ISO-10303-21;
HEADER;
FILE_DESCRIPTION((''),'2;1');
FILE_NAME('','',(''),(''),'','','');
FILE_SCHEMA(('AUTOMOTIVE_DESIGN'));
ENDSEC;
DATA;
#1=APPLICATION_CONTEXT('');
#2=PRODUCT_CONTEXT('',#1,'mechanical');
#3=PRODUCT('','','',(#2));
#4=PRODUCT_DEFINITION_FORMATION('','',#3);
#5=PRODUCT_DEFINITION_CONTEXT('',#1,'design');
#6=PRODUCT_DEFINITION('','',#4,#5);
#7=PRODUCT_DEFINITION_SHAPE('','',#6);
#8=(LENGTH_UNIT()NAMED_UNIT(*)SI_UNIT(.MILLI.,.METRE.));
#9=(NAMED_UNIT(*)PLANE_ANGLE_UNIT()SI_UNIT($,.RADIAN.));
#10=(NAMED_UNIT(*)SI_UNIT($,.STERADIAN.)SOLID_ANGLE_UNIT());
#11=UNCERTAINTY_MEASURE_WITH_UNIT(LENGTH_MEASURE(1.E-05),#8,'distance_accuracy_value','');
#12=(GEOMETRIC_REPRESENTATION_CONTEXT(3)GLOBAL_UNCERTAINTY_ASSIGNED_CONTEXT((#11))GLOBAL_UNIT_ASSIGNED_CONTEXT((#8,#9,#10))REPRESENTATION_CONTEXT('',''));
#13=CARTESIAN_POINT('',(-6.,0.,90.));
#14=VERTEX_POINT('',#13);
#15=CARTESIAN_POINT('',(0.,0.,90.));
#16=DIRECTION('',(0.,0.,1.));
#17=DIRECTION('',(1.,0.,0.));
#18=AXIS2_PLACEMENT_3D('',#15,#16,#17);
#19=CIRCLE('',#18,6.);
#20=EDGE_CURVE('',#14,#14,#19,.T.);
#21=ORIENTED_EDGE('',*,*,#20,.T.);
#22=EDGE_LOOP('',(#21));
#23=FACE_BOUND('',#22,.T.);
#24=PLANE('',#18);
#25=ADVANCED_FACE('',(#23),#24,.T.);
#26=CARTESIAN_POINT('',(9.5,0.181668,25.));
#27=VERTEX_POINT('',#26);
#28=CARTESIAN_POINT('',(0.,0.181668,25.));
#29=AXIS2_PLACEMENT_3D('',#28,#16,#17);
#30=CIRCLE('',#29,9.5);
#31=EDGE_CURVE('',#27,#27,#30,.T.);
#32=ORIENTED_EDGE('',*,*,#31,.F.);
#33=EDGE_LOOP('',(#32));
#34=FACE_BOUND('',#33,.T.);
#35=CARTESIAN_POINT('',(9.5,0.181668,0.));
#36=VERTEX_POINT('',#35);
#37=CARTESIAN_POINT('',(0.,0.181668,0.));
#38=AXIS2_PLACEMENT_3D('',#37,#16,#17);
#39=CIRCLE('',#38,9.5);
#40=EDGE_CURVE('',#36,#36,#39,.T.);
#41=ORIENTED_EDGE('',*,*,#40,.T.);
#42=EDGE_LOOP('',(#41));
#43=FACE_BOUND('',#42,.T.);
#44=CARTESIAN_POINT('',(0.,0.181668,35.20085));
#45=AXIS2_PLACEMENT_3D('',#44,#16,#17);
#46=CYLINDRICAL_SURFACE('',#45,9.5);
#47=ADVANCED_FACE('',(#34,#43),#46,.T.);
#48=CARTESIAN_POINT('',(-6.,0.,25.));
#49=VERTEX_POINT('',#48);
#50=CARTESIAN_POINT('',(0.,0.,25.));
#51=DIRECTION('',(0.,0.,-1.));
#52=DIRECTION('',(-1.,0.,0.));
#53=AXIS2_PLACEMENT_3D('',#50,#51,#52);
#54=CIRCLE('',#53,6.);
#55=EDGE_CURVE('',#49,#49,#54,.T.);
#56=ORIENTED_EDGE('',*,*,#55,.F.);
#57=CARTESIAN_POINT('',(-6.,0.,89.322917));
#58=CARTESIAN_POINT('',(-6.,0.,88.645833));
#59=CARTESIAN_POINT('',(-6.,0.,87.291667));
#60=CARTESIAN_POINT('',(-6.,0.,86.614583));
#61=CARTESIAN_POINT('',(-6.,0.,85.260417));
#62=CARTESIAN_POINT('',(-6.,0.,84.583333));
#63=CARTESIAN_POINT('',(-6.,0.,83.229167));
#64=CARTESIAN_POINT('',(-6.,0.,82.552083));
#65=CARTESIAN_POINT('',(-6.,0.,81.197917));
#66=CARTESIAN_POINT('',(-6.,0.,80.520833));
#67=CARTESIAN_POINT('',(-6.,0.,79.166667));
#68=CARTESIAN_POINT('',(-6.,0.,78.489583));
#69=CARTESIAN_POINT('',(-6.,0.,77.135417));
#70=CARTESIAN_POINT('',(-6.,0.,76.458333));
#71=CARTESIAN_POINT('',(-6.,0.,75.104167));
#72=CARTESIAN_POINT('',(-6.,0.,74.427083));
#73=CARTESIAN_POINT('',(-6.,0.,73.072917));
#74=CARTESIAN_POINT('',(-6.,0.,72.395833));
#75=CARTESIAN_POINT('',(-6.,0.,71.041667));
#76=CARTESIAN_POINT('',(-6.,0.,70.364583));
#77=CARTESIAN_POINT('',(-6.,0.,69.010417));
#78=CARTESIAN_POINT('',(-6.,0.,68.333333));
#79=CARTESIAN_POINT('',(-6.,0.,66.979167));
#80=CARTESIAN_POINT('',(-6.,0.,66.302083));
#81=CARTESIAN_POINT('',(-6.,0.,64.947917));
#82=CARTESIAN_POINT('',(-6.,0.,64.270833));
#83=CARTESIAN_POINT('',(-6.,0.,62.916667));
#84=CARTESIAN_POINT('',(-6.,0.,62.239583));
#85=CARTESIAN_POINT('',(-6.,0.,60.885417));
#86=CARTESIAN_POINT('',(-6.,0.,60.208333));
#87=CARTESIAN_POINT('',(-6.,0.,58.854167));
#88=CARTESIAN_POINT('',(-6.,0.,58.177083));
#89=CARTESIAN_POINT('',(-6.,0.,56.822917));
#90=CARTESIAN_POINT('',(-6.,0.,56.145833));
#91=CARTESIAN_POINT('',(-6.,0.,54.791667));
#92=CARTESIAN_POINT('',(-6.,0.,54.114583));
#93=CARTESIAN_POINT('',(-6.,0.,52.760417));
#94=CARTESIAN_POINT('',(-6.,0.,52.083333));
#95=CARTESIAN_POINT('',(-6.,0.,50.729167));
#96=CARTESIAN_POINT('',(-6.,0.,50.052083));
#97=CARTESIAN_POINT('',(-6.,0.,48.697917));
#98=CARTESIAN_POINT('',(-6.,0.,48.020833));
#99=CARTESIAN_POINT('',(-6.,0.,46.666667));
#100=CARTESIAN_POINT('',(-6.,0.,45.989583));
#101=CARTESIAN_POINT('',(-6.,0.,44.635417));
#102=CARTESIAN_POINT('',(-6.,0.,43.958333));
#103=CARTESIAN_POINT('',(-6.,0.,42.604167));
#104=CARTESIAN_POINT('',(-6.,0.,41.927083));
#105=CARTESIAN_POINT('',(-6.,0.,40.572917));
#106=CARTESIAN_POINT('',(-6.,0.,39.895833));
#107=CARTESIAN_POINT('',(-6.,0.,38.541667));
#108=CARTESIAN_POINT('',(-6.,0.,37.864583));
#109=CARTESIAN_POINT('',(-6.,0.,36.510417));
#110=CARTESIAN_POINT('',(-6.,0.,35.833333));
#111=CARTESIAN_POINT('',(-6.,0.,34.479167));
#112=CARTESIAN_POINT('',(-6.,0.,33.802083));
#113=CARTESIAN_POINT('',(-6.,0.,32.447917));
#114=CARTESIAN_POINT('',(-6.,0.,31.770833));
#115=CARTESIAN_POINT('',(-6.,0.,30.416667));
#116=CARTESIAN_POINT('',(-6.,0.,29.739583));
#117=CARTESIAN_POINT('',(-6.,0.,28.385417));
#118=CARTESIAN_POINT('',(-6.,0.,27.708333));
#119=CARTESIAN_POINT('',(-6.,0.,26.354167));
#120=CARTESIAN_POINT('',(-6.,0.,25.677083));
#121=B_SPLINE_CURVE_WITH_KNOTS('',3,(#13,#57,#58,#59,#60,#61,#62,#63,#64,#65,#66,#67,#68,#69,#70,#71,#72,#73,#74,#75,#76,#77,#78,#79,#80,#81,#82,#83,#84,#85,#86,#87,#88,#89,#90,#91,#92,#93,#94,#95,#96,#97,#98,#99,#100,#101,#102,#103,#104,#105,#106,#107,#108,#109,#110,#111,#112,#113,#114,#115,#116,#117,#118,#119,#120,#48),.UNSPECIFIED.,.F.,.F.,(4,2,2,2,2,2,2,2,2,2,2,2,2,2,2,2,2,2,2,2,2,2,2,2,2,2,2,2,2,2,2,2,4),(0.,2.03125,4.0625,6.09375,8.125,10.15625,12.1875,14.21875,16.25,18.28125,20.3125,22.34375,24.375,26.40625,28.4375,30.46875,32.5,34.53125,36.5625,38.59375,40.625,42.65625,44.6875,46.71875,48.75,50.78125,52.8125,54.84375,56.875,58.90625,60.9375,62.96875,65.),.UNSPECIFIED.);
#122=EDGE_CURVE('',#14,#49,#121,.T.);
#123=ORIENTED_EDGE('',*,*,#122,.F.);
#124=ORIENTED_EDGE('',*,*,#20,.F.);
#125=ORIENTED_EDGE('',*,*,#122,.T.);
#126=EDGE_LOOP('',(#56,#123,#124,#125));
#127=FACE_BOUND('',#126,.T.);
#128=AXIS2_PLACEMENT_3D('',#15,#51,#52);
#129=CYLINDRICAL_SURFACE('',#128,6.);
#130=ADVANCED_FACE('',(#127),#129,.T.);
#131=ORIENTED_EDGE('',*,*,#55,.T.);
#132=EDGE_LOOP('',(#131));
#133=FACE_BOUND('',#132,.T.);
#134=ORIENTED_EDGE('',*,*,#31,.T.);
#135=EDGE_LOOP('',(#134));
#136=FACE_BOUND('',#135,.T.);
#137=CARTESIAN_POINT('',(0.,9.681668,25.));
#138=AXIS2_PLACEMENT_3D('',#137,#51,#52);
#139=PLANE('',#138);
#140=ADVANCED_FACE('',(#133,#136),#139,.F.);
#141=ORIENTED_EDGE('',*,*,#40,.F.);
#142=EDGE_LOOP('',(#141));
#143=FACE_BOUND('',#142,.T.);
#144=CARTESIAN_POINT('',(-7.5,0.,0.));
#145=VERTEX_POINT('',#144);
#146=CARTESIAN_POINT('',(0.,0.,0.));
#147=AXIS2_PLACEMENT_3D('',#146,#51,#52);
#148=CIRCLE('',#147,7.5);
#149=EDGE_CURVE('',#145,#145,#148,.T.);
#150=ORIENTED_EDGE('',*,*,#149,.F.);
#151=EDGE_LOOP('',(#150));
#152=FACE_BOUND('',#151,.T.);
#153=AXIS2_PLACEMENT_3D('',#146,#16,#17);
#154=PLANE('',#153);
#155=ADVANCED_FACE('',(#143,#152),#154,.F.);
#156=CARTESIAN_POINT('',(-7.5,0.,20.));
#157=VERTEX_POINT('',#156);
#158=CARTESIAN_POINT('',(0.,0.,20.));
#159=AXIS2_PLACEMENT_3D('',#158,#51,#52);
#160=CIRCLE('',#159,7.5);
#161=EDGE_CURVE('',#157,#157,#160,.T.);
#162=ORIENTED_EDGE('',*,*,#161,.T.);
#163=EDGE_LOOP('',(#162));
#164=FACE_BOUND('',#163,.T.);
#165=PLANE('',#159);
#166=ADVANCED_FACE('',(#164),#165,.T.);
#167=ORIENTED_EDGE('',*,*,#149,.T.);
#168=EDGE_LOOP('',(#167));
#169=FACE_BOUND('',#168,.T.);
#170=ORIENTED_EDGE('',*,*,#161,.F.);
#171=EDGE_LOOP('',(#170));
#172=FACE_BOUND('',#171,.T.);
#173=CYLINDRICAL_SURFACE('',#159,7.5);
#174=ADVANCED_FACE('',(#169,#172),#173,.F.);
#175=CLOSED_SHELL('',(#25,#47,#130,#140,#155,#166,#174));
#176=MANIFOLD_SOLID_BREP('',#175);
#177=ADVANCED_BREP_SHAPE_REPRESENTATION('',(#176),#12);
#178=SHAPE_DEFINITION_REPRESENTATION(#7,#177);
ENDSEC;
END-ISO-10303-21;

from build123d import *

# Parameters (mm, degrees)
SKETCH1_R           = 6
BOSS_EXTRUDE1_DEPTH = 90
SKETCH2_W           = 25
SKETCH2_H           = 3.681667676
SKETCH3_R           = 7.5
CUT_EXTRUDE1_DEPTH  = 20


with BuildPart() as part:
    # Sketch1 → Boss-Extrude1 (new body)
    with BuildSketch(Plane.XY):
        with Locations(Location((0, 0, 0), (0, 0, 180))):
            Circle(SKETCH1_R)
    extrude(amount=BOSS_EXTRUDE1_DEPTH)

    # Sketch2 → Revolve1 (revolve)
    with BuildSketch(Plane(origin=(0, 0, 0), x_dir=(0, 0, -1), z_dir=(1, 0, 0)), mode=Mode.PRIVATE) as revolve1_sk:
        with Locations((-12.5, 7.840833838)):
            Rectangle(SKETCH2_W, SKETCH2_H)
    revolve(revolve1_sk.sketch.rotate(Axis((0, 0.181667676, 35.200849853), (0, 0, -1)), 90), axis=Axis((0, 0.181667676, 35.200849853), (0, 0, -1)))

    # Sketch3 → Cut-Extrude1 (cut)
    with BuildSketch(Plane(origin=(0, 0, 0), x_dir=(-1, 0, 0), z_dir=(0, 0, -1))):
        Circle(SKETCH3_R)
    extrude(amount=-CUT_EXTRUDE1_DEPTH, mode=Mode.SUBTRACT)


solid = part.part
